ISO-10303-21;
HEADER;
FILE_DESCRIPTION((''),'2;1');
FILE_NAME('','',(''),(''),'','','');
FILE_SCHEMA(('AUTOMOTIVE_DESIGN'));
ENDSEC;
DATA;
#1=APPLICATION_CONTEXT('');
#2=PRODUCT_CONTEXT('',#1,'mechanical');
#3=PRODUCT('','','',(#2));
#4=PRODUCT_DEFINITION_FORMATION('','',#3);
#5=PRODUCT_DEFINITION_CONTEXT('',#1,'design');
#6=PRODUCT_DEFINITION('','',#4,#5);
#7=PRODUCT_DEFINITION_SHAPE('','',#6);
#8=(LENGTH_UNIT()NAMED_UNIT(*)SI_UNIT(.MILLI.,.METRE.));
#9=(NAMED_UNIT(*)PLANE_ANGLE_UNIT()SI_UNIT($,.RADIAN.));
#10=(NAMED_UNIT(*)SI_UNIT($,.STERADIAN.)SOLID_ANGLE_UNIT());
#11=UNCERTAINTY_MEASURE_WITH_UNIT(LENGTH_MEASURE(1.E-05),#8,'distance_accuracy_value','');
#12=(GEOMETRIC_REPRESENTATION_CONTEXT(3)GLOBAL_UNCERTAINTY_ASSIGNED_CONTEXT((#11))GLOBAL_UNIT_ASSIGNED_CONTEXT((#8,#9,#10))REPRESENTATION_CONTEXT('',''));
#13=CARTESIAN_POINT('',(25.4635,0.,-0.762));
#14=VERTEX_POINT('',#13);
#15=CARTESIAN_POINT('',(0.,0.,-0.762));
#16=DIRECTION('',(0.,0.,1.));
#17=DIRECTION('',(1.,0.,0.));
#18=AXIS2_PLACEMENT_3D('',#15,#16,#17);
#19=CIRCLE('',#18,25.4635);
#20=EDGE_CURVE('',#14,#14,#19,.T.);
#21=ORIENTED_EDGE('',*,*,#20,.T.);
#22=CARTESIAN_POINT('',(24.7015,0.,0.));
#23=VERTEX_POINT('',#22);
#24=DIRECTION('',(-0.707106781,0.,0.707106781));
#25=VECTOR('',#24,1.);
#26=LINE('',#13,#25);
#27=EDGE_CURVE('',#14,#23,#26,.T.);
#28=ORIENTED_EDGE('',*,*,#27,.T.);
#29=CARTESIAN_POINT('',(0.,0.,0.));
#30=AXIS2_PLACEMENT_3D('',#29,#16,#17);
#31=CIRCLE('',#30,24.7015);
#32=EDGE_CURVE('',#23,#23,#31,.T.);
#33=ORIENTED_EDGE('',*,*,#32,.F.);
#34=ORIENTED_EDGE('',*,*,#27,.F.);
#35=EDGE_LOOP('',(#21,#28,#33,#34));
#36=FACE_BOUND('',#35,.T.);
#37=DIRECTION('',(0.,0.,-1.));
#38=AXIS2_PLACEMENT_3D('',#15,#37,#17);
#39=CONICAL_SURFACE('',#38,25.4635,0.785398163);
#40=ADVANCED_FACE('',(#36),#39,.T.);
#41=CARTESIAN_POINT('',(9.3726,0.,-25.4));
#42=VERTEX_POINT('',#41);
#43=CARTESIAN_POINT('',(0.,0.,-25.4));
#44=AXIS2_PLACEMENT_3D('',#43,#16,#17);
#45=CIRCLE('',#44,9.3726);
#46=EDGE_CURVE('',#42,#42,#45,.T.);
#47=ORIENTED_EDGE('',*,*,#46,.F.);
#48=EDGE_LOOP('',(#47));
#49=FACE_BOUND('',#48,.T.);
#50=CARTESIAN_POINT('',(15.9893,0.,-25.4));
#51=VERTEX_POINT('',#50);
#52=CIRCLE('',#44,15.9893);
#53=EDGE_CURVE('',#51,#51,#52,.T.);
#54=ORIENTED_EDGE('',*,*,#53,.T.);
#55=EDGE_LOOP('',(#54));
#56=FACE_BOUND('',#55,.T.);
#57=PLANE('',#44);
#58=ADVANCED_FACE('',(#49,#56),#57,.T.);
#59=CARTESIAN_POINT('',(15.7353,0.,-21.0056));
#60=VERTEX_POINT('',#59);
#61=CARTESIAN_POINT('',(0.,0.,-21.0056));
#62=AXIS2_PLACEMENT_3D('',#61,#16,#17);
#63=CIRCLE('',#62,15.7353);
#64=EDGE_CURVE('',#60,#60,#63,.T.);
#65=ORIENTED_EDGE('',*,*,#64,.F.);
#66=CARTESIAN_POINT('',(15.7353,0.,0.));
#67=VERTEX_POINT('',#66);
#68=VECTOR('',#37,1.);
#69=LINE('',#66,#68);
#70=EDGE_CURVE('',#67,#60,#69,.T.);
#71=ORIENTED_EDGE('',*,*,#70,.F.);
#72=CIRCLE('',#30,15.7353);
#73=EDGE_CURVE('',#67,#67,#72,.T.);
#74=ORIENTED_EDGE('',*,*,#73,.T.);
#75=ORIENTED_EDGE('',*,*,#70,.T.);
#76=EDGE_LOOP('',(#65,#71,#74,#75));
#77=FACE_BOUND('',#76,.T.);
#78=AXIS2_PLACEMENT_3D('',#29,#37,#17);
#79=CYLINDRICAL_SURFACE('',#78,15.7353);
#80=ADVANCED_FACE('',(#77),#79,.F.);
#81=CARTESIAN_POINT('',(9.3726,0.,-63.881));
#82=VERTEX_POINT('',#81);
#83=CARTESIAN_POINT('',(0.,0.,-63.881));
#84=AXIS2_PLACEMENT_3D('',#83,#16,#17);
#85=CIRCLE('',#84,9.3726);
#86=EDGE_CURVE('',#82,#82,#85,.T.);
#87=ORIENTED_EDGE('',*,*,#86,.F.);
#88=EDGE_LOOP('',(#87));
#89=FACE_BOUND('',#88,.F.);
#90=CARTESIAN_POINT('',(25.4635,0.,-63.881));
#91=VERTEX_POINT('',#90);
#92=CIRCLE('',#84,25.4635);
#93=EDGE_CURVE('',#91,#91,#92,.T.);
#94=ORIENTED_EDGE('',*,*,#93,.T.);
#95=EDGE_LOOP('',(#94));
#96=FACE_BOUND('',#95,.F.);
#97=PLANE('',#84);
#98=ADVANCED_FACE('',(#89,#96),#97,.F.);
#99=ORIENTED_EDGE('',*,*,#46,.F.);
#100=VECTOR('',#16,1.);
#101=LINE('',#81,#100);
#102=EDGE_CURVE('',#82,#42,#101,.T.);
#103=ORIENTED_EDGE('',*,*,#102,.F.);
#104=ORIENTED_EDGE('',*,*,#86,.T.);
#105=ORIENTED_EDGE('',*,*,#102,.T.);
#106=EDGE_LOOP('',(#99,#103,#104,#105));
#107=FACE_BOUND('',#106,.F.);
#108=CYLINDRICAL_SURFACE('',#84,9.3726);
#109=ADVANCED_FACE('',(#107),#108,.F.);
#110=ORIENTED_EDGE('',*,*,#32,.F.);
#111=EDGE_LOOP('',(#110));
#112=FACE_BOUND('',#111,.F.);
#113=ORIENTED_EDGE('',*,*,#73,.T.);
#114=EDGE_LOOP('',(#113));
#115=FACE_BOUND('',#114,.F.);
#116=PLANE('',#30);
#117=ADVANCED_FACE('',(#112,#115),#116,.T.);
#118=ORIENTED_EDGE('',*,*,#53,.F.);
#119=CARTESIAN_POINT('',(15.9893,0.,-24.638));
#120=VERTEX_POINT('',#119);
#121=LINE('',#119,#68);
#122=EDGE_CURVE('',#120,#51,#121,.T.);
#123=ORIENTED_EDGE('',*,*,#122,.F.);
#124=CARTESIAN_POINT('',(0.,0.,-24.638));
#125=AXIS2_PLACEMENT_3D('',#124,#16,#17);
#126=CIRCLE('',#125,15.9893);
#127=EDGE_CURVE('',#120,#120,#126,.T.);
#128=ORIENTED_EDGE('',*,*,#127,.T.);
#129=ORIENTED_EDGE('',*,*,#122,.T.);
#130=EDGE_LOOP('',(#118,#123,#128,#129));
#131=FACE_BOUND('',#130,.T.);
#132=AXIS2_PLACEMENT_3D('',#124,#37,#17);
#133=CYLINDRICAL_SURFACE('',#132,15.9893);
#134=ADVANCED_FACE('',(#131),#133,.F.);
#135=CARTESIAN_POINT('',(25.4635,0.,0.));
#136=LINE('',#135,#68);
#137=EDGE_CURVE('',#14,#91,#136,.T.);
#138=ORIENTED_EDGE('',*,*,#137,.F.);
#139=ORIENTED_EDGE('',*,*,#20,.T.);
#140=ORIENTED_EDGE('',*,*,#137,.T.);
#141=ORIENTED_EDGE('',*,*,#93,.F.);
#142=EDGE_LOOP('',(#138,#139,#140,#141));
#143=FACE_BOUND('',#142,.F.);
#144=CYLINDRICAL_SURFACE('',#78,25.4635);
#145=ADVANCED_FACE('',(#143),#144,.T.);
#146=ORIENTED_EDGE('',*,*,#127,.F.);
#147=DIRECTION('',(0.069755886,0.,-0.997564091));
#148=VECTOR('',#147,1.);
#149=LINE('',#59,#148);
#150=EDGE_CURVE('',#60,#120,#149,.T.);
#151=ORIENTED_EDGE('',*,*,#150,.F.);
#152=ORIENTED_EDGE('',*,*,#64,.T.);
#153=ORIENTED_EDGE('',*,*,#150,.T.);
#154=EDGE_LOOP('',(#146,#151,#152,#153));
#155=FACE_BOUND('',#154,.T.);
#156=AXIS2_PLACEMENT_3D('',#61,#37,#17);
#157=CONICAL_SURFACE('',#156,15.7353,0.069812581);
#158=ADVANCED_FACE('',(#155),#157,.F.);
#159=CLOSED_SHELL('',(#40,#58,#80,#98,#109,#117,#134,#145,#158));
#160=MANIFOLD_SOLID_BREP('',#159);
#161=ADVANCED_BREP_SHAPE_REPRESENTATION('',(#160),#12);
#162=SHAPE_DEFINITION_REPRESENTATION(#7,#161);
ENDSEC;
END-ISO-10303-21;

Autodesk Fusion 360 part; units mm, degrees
sketch "Sketch1" plane through (0, 0, 0) normal (0, 1, 0) x (1, 0, 0)
  line L0 (25.4635, 63.881) -> (9.3726, 63.881)
  line L1 (9.3726, 63.881) -> (9.3726, 0)
  line L2 (9.3726, 0) -> (25.4635, 0)
  line L3 (25.4635, 0) -> (25.4635, 63.881)
  line L4 (15.7353, 0) -> (15.7353, 21.0056)
  line L5 (15.7353, 21.0056) -> (15.9893, 24.638)
  line L6 (15.9893, 24.638) -> (15.9893, 25.4)
  line L7 (15.9893, 25.4) -> (9.3726, 25.4)
  line L8 (0, 29.7705) -> (13.8983, 23.2896)
  dimension "d1" = 9.3726
  dimension "d2" = 25.4635
  dimension "d3" = 63.881
  dimension "d6" = 15.7353
  dimension "d7" = 0.762
  dimension "d8" = 4
  dimension "d9" = 25.4
  dimension "d10" = 0.254
  dimension "d11" = 65
revolve "Revolve1" add sketch "Sketch1" angle 360 about axis through (0, 0, 1.75) along (0, 0, 1) contours L0 L1 L2 L3 L4 L5 L6 L7
chamfer "Chamfer1" distance 0.762 angle 45 1 edges at (-23.7403, -9.208, 0)
equation "d1 = ( 0.738 / 2 ) * 1 in"
equation "d2 = 2.005 in / 2"
equation "d3 = 2.5 in + 0.015 in"
equation "d6 = ( 1.239 / 2 ) * 1 in"
equation "d11 = ( 130 / 2 ) * 1 deg"
